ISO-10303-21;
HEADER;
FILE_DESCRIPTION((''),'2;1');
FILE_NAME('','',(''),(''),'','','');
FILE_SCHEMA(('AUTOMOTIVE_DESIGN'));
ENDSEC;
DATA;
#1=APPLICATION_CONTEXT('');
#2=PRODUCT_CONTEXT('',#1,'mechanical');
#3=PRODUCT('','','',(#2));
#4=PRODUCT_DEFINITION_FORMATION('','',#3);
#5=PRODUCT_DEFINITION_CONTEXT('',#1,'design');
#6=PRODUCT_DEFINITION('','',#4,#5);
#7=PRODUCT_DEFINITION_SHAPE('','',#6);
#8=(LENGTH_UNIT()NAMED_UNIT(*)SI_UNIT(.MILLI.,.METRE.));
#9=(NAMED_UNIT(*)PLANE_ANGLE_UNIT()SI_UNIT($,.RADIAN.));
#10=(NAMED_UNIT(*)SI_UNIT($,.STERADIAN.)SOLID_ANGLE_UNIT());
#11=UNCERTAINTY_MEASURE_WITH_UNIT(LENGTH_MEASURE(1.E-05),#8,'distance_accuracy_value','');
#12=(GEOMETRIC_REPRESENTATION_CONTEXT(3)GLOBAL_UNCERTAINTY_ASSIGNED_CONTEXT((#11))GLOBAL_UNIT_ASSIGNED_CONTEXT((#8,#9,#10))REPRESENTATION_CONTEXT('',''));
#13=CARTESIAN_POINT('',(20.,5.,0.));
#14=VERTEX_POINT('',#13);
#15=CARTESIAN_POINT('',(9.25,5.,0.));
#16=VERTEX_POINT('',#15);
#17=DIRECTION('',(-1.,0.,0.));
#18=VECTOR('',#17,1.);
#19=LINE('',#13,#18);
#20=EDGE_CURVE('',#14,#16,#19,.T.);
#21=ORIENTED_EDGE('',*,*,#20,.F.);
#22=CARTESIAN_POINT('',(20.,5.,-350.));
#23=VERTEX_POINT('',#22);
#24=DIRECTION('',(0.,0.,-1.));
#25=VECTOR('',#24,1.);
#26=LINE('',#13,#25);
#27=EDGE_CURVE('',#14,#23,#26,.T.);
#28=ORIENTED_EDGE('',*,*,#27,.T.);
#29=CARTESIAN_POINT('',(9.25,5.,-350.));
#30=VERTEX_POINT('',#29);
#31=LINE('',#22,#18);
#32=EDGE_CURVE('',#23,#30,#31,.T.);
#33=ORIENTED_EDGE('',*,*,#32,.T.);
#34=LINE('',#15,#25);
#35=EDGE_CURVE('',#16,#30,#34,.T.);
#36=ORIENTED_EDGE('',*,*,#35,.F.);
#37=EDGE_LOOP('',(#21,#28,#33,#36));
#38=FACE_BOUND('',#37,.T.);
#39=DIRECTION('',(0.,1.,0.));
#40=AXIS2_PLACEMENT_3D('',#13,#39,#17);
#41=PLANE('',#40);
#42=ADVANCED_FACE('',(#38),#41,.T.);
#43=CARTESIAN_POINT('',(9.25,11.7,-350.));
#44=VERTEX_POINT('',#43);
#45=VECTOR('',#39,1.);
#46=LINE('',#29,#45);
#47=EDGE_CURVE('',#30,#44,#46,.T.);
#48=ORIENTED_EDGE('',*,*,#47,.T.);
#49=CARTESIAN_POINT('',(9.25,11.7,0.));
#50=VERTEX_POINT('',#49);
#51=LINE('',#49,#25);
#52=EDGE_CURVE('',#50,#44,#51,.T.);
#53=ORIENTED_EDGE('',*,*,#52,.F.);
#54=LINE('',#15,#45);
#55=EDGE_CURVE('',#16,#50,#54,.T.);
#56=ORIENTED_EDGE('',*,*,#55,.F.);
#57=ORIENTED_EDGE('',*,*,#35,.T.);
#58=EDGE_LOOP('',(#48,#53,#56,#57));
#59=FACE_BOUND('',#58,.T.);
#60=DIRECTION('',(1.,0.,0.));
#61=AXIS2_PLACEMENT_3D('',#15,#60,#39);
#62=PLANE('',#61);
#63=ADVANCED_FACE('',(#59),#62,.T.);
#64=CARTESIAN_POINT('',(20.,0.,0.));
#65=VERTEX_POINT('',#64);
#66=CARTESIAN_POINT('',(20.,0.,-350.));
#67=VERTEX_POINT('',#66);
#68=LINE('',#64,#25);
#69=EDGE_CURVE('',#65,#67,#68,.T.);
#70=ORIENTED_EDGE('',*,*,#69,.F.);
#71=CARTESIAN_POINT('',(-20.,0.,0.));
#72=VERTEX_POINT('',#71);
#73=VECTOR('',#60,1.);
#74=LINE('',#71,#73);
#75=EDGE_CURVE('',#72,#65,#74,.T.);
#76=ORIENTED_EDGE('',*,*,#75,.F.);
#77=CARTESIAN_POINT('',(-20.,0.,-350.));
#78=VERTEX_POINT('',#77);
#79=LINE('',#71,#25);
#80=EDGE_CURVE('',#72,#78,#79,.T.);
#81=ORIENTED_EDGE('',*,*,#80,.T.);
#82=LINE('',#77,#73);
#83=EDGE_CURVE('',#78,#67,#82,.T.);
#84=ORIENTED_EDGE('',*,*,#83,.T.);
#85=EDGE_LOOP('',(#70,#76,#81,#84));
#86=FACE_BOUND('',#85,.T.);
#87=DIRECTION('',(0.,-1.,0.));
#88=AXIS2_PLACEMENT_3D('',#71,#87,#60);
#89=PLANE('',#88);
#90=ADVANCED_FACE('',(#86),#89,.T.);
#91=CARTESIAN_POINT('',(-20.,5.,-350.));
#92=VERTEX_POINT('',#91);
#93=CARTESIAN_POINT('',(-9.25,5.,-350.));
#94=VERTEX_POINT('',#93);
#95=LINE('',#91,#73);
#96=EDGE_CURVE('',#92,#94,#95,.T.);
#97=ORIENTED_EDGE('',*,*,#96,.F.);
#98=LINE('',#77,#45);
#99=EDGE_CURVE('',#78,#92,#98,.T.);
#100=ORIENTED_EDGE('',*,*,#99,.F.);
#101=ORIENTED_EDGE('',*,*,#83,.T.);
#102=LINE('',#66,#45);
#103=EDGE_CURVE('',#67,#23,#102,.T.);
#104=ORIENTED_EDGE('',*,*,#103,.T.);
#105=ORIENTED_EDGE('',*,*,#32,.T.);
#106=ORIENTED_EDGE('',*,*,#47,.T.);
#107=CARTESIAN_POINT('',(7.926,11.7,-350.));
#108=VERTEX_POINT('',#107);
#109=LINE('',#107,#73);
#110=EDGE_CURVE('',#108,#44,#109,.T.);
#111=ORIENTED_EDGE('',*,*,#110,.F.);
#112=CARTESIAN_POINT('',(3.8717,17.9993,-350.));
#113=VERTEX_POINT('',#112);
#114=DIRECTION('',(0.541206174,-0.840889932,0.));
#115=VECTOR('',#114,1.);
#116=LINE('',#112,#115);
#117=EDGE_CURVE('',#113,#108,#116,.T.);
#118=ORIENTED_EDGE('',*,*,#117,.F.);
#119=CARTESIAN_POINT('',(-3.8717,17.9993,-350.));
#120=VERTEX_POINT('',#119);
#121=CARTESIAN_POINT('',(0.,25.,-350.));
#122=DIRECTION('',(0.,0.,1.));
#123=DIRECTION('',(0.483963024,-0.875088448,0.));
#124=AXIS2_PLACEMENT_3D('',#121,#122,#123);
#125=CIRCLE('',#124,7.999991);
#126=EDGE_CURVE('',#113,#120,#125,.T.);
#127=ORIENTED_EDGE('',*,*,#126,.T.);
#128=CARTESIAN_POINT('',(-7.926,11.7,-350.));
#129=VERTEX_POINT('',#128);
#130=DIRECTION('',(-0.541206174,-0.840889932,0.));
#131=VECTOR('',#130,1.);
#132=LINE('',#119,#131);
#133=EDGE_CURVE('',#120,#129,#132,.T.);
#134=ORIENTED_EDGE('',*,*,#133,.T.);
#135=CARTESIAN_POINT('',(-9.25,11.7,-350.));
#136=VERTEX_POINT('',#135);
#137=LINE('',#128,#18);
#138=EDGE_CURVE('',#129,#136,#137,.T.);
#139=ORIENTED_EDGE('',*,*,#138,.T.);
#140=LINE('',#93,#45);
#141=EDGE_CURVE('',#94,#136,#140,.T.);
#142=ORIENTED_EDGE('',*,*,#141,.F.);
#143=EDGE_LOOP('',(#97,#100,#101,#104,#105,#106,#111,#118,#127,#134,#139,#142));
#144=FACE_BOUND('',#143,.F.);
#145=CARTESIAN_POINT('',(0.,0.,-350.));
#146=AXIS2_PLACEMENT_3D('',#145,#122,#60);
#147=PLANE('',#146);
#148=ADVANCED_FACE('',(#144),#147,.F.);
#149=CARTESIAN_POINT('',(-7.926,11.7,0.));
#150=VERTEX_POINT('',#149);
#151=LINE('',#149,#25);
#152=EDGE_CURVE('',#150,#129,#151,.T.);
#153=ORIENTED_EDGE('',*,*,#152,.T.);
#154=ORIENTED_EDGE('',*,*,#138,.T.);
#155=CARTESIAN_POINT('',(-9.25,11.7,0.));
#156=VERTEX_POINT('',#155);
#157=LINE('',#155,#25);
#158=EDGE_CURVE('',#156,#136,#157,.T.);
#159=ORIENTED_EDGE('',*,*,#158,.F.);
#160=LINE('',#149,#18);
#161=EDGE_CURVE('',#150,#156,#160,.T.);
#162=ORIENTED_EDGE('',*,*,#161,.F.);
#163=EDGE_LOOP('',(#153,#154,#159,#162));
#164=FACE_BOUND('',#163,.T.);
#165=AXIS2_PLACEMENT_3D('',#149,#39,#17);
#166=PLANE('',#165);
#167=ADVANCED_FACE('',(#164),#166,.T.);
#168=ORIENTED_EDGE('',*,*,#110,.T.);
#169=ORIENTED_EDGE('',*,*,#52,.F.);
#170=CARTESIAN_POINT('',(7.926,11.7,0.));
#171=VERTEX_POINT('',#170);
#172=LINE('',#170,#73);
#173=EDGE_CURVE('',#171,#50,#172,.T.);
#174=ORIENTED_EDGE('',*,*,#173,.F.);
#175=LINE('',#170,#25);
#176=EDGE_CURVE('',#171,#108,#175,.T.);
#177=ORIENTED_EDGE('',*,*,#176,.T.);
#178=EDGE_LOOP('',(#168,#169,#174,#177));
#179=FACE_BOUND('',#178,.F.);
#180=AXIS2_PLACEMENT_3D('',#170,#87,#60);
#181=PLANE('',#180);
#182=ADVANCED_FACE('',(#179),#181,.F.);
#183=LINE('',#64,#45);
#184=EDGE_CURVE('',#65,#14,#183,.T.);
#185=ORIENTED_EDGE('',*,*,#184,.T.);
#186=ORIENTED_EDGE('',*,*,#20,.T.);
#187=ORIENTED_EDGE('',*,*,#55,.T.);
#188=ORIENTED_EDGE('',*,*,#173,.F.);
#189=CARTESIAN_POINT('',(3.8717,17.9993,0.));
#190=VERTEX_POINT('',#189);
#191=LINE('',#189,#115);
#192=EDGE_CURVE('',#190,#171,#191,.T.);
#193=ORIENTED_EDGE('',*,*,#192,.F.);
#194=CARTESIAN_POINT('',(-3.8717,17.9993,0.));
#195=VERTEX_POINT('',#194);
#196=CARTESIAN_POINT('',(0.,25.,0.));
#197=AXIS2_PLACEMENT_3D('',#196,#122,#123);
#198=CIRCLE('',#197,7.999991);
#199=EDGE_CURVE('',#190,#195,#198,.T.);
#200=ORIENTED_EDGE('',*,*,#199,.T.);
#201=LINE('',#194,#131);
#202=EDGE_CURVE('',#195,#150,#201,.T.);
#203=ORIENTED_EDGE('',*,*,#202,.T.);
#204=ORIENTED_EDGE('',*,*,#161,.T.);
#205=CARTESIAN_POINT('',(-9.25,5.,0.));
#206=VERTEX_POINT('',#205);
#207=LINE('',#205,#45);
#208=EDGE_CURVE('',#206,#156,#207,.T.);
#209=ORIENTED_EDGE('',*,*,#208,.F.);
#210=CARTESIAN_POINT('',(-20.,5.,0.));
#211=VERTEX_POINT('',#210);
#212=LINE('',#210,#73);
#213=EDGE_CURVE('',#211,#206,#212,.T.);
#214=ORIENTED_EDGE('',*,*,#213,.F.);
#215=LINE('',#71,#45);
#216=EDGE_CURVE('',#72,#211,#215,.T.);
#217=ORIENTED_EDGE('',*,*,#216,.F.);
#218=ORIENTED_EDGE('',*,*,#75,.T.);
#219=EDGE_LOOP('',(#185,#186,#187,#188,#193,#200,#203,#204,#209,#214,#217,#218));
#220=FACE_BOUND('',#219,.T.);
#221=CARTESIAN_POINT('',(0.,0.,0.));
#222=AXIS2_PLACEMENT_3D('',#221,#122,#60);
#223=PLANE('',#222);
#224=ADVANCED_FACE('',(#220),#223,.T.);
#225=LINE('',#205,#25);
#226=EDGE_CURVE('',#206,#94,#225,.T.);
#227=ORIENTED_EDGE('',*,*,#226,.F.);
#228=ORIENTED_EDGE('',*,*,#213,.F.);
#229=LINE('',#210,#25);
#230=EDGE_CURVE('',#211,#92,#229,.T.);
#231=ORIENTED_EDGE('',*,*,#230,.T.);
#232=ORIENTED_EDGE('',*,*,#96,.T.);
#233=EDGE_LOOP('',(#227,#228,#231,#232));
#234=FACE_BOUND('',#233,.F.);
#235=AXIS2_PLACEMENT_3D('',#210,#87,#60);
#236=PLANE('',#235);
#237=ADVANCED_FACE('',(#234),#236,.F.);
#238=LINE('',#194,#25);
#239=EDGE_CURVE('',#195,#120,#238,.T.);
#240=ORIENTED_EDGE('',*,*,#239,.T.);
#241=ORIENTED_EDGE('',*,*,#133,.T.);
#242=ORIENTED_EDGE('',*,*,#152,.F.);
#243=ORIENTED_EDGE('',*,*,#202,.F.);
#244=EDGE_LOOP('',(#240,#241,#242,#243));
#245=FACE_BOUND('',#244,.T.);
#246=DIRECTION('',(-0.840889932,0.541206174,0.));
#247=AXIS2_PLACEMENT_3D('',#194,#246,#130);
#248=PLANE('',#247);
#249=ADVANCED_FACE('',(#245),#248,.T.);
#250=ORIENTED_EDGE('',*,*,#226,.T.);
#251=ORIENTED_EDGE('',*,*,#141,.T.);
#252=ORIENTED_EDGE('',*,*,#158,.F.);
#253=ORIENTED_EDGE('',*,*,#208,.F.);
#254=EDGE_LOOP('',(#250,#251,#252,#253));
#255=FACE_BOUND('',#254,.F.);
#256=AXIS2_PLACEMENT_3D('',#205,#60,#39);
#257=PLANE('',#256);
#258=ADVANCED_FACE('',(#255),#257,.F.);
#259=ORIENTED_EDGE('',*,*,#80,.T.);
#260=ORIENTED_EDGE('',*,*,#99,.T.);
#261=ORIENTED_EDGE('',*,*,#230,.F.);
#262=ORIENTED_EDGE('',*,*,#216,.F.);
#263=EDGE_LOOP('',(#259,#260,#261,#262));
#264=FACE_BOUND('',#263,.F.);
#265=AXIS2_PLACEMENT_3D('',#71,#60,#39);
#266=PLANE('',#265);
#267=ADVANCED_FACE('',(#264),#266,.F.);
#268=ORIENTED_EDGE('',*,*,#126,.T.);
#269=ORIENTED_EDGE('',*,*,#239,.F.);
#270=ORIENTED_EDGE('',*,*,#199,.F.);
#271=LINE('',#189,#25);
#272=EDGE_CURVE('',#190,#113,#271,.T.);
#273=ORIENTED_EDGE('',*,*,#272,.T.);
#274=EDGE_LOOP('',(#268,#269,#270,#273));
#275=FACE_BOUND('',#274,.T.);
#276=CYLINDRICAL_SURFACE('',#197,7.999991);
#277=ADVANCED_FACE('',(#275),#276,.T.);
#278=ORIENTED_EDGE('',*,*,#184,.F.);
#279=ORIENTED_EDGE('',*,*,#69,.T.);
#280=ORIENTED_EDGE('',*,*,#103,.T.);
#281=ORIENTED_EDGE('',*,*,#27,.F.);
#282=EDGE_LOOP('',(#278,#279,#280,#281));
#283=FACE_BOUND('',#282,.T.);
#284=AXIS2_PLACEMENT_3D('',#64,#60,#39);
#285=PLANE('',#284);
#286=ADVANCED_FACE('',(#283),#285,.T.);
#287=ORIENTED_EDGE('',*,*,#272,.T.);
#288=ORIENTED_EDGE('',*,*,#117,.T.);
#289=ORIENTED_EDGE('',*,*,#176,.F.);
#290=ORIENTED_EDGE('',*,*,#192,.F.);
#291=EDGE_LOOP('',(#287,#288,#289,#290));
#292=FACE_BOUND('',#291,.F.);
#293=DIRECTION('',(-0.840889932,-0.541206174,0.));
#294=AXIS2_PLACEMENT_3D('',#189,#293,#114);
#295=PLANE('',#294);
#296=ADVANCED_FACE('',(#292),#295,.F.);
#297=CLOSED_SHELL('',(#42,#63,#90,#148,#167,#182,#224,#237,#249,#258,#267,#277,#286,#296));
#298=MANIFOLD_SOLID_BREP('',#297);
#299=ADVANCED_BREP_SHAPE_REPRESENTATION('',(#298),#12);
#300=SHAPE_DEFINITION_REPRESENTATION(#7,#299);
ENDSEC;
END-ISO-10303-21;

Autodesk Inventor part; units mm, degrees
ref_plane "YZ Plane" through (0, 0, 0) normal (1, 0, 0) x (0, 1, 0)
ref_plane "XZ Plane" through (0, 0, 0) normal (0, 1, 0) x (-1, 0, 0)
ref_plane "XY Plane" through (0, 0, 0) normal (0, 0, 1) x (1, 0, 0)
sketch "Sketch1" plane through (0, 0, 0) normal (0, 0, 1) x (1, 0, 0)
  line L0 (-20, 0) -> (20, 0)
  line L1 (-20, 0) -> (-20, 5)
  line L2 (20, 0) -> (20, 5)
  line L3 (-20, 5) -> (-9.25, 5)
  line L4 (20, 5) -> (9.25, 5)
  line L5 (-9.25, 5) -> (-9.25, 11.7)
  line L6 (9.25, 5) -> (9.25, 11.7)
  line L7 (-9.25, 5) -> (9.25, 5) construction
  line L8 (-9.25, 5) -> (-4.2961, 5) construction
  line L9 (9.25, 5) -> (3.3755, 5) construction
  arc A0 (4.1601, 14.485) -> (5.7961, 15.0092) centre (4, 17.8) ccw construction
  line L10 (7.926, 11.7) -> (9.25, 11.7)
  line L11 (-7.926, 11.7) -> (-9.25, 11.7)
  arc A1 (3.8717, 17.9993) -> (-3.8717, 17.9993) centre (0, 25) ccw
  line L12 (-3.8717, 17.9993) -> (-7.926, 11.7)
  line L13 (3.8717, 17.9993) -> (7.926, 11.7)
  point P0 (0, 0)
  point P1 (0, 0)
  point P2 (0, 17.8)
  point P3 (0, 5)
  point P4 (-4, 17.8)
  dimension "d0" = 40
  dimension "d1" = 5
  dimension "d2" = 5
  dimension "d3" = 10.75
  dimension "d4" = 10.75
  dimension "d5" = 6.7
  dimension "d6" = 6.7
  dimension "d15" = 25
  dimension "d16" = 18.5
  dimension "d18" = 8
extrude "Extrusion1" add sketch "Sketch1" against normal blind 350
equation "\"d1\" = d2"
equation "\"d3\" = d4"
equation "\"d5\" = d6"
properties part number "sbr16_350mm"
